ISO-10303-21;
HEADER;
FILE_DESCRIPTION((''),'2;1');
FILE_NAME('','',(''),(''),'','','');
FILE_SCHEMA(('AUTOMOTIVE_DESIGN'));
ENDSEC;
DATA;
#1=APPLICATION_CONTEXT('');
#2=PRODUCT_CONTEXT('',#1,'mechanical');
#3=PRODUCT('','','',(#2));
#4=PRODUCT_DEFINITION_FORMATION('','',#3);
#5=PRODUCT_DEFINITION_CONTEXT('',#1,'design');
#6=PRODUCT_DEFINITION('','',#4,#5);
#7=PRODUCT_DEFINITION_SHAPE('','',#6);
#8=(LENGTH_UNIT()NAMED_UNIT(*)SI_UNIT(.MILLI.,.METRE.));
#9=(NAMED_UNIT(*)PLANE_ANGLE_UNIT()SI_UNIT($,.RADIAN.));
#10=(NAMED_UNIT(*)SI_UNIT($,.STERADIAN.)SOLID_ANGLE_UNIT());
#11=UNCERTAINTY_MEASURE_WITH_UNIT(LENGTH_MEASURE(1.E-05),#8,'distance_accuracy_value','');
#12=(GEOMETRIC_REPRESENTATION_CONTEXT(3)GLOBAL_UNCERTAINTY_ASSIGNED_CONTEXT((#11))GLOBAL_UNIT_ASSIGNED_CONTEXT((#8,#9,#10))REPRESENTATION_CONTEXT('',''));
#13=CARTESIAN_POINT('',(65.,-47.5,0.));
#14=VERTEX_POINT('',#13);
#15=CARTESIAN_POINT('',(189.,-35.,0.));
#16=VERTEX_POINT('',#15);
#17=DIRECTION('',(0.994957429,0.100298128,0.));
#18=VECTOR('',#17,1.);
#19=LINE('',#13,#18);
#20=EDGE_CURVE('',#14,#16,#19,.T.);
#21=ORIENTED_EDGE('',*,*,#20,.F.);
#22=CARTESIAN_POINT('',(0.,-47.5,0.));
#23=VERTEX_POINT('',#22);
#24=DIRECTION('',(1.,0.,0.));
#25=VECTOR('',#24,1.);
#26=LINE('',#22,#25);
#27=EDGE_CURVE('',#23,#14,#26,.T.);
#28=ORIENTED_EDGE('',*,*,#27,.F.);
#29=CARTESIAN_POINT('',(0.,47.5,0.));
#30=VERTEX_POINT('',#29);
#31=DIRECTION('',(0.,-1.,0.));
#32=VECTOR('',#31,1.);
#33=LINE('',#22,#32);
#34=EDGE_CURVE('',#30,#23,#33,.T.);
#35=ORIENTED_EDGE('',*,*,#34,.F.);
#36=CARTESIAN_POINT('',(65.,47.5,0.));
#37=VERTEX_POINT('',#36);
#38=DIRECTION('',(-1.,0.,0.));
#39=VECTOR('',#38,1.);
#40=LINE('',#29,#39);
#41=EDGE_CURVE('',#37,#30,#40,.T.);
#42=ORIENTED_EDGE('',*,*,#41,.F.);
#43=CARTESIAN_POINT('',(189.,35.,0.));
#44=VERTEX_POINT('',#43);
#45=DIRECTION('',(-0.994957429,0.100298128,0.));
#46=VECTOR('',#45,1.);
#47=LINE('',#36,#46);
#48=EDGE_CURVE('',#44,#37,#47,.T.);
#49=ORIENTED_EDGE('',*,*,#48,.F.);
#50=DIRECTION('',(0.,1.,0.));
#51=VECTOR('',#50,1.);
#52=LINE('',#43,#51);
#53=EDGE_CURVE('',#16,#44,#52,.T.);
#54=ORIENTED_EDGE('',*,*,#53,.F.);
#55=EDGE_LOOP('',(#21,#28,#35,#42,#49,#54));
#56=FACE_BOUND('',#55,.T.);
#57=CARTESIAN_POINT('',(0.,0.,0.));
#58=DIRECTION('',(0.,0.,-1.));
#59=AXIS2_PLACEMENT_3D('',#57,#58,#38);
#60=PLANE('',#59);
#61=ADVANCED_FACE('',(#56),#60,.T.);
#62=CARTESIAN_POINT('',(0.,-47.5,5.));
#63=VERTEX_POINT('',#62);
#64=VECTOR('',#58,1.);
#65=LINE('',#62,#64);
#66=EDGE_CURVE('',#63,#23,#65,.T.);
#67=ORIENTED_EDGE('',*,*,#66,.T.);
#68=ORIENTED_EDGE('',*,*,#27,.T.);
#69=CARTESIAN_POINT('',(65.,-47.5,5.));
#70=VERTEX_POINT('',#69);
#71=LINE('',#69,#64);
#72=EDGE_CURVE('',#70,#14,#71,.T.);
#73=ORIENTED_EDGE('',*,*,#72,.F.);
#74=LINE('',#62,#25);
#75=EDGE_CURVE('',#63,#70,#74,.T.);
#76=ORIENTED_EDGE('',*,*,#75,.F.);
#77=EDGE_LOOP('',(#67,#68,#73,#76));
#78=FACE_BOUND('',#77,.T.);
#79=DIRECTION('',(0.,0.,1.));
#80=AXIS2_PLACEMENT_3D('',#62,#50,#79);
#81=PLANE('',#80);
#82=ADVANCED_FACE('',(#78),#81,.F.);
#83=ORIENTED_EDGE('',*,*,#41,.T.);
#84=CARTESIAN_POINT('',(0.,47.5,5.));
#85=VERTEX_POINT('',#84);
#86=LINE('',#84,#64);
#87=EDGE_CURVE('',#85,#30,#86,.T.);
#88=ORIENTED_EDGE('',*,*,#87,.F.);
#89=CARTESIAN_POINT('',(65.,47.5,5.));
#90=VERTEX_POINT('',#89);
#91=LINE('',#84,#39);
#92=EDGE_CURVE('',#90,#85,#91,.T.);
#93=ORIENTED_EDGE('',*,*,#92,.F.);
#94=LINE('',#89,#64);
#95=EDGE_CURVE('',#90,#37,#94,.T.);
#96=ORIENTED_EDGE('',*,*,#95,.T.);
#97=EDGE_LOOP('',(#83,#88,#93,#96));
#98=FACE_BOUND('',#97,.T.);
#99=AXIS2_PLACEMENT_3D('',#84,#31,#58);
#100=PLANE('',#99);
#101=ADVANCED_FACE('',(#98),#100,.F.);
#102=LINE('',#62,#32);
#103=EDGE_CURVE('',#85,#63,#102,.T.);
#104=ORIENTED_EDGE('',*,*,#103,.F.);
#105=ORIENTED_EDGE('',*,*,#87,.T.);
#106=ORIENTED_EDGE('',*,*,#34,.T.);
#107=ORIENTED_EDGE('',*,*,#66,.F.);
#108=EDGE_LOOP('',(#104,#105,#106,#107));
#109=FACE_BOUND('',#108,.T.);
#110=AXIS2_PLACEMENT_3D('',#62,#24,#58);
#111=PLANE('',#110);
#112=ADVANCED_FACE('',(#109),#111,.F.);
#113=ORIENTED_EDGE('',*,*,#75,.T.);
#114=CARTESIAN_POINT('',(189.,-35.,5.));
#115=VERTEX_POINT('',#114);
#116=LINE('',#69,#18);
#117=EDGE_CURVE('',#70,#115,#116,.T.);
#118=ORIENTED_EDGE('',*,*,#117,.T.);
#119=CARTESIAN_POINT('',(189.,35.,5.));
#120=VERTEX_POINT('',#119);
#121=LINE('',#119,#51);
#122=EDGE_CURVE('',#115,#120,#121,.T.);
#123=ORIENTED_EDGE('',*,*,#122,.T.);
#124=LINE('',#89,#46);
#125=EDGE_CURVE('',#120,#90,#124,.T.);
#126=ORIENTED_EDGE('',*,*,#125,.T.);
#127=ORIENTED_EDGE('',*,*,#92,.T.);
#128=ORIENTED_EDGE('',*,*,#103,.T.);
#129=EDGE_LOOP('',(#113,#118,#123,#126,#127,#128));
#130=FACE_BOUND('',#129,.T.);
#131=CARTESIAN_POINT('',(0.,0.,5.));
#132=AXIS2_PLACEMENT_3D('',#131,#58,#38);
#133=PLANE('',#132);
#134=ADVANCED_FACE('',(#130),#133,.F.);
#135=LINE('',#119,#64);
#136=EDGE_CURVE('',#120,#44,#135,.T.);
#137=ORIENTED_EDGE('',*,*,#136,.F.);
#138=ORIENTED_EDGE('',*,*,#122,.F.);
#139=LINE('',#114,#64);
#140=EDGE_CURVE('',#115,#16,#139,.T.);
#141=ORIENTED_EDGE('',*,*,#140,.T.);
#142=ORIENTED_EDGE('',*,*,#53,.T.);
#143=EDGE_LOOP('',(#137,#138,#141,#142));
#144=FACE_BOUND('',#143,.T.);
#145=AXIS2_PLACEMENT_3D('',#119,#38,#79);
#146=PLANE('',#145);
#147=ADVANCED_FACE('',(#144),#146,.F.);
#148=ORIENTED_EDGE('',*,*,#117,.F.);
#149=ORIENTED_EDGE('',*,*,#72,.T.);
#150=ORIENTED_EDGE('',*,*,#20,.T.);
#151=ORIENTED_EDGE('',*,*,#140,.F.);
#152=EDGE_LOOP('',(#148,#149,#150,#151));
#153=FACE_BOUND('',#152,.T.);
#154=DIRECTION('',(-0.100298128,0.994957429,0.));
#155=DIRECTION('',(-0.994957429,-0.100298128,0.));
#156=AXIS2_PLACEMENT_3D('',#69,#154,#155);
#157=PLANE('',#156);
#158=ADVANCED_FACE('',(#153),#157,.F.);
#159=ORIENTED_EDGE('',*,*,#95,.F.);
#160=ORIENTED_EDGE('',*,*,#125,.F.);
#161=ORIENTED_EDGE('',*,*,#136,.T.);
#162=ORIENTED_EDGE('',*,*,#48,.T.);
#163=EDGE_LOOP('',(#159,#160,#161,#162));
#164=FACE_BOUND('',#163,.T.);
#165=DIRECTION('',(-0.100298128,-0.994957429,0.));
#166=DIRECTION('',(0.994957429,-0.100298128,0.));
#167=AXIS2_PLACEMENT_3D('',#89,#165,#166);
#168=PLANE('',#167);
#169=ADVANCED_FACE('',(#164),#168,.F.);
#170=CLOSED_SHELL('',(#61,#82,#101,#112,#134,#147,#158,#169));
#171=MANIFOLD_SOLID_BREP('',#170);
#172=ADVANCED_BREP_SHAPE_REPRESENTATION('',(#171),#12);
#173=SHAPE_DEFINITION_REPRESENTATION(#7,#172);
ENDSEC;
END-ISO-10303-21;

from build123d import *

# Parameters (mm, degrees)
AUFSATZ_LINEAR_AUSTRAGEN1_DEPTH = 5


with BuildPart() as part:
    # Skizze1 → Aufsatz-Linear austragen1 (new body)
    with BuildSketch(Plane.XY):
        Polygon((0, -47.5), (0, 47.5), (65, 47.5), (189, 35), (189, -35), (65, -47.5), align=None)
    extrude(amount=AUFSATZ_LINEAR_AUSTRAGEN1_DEPTH)


solid = part.part
